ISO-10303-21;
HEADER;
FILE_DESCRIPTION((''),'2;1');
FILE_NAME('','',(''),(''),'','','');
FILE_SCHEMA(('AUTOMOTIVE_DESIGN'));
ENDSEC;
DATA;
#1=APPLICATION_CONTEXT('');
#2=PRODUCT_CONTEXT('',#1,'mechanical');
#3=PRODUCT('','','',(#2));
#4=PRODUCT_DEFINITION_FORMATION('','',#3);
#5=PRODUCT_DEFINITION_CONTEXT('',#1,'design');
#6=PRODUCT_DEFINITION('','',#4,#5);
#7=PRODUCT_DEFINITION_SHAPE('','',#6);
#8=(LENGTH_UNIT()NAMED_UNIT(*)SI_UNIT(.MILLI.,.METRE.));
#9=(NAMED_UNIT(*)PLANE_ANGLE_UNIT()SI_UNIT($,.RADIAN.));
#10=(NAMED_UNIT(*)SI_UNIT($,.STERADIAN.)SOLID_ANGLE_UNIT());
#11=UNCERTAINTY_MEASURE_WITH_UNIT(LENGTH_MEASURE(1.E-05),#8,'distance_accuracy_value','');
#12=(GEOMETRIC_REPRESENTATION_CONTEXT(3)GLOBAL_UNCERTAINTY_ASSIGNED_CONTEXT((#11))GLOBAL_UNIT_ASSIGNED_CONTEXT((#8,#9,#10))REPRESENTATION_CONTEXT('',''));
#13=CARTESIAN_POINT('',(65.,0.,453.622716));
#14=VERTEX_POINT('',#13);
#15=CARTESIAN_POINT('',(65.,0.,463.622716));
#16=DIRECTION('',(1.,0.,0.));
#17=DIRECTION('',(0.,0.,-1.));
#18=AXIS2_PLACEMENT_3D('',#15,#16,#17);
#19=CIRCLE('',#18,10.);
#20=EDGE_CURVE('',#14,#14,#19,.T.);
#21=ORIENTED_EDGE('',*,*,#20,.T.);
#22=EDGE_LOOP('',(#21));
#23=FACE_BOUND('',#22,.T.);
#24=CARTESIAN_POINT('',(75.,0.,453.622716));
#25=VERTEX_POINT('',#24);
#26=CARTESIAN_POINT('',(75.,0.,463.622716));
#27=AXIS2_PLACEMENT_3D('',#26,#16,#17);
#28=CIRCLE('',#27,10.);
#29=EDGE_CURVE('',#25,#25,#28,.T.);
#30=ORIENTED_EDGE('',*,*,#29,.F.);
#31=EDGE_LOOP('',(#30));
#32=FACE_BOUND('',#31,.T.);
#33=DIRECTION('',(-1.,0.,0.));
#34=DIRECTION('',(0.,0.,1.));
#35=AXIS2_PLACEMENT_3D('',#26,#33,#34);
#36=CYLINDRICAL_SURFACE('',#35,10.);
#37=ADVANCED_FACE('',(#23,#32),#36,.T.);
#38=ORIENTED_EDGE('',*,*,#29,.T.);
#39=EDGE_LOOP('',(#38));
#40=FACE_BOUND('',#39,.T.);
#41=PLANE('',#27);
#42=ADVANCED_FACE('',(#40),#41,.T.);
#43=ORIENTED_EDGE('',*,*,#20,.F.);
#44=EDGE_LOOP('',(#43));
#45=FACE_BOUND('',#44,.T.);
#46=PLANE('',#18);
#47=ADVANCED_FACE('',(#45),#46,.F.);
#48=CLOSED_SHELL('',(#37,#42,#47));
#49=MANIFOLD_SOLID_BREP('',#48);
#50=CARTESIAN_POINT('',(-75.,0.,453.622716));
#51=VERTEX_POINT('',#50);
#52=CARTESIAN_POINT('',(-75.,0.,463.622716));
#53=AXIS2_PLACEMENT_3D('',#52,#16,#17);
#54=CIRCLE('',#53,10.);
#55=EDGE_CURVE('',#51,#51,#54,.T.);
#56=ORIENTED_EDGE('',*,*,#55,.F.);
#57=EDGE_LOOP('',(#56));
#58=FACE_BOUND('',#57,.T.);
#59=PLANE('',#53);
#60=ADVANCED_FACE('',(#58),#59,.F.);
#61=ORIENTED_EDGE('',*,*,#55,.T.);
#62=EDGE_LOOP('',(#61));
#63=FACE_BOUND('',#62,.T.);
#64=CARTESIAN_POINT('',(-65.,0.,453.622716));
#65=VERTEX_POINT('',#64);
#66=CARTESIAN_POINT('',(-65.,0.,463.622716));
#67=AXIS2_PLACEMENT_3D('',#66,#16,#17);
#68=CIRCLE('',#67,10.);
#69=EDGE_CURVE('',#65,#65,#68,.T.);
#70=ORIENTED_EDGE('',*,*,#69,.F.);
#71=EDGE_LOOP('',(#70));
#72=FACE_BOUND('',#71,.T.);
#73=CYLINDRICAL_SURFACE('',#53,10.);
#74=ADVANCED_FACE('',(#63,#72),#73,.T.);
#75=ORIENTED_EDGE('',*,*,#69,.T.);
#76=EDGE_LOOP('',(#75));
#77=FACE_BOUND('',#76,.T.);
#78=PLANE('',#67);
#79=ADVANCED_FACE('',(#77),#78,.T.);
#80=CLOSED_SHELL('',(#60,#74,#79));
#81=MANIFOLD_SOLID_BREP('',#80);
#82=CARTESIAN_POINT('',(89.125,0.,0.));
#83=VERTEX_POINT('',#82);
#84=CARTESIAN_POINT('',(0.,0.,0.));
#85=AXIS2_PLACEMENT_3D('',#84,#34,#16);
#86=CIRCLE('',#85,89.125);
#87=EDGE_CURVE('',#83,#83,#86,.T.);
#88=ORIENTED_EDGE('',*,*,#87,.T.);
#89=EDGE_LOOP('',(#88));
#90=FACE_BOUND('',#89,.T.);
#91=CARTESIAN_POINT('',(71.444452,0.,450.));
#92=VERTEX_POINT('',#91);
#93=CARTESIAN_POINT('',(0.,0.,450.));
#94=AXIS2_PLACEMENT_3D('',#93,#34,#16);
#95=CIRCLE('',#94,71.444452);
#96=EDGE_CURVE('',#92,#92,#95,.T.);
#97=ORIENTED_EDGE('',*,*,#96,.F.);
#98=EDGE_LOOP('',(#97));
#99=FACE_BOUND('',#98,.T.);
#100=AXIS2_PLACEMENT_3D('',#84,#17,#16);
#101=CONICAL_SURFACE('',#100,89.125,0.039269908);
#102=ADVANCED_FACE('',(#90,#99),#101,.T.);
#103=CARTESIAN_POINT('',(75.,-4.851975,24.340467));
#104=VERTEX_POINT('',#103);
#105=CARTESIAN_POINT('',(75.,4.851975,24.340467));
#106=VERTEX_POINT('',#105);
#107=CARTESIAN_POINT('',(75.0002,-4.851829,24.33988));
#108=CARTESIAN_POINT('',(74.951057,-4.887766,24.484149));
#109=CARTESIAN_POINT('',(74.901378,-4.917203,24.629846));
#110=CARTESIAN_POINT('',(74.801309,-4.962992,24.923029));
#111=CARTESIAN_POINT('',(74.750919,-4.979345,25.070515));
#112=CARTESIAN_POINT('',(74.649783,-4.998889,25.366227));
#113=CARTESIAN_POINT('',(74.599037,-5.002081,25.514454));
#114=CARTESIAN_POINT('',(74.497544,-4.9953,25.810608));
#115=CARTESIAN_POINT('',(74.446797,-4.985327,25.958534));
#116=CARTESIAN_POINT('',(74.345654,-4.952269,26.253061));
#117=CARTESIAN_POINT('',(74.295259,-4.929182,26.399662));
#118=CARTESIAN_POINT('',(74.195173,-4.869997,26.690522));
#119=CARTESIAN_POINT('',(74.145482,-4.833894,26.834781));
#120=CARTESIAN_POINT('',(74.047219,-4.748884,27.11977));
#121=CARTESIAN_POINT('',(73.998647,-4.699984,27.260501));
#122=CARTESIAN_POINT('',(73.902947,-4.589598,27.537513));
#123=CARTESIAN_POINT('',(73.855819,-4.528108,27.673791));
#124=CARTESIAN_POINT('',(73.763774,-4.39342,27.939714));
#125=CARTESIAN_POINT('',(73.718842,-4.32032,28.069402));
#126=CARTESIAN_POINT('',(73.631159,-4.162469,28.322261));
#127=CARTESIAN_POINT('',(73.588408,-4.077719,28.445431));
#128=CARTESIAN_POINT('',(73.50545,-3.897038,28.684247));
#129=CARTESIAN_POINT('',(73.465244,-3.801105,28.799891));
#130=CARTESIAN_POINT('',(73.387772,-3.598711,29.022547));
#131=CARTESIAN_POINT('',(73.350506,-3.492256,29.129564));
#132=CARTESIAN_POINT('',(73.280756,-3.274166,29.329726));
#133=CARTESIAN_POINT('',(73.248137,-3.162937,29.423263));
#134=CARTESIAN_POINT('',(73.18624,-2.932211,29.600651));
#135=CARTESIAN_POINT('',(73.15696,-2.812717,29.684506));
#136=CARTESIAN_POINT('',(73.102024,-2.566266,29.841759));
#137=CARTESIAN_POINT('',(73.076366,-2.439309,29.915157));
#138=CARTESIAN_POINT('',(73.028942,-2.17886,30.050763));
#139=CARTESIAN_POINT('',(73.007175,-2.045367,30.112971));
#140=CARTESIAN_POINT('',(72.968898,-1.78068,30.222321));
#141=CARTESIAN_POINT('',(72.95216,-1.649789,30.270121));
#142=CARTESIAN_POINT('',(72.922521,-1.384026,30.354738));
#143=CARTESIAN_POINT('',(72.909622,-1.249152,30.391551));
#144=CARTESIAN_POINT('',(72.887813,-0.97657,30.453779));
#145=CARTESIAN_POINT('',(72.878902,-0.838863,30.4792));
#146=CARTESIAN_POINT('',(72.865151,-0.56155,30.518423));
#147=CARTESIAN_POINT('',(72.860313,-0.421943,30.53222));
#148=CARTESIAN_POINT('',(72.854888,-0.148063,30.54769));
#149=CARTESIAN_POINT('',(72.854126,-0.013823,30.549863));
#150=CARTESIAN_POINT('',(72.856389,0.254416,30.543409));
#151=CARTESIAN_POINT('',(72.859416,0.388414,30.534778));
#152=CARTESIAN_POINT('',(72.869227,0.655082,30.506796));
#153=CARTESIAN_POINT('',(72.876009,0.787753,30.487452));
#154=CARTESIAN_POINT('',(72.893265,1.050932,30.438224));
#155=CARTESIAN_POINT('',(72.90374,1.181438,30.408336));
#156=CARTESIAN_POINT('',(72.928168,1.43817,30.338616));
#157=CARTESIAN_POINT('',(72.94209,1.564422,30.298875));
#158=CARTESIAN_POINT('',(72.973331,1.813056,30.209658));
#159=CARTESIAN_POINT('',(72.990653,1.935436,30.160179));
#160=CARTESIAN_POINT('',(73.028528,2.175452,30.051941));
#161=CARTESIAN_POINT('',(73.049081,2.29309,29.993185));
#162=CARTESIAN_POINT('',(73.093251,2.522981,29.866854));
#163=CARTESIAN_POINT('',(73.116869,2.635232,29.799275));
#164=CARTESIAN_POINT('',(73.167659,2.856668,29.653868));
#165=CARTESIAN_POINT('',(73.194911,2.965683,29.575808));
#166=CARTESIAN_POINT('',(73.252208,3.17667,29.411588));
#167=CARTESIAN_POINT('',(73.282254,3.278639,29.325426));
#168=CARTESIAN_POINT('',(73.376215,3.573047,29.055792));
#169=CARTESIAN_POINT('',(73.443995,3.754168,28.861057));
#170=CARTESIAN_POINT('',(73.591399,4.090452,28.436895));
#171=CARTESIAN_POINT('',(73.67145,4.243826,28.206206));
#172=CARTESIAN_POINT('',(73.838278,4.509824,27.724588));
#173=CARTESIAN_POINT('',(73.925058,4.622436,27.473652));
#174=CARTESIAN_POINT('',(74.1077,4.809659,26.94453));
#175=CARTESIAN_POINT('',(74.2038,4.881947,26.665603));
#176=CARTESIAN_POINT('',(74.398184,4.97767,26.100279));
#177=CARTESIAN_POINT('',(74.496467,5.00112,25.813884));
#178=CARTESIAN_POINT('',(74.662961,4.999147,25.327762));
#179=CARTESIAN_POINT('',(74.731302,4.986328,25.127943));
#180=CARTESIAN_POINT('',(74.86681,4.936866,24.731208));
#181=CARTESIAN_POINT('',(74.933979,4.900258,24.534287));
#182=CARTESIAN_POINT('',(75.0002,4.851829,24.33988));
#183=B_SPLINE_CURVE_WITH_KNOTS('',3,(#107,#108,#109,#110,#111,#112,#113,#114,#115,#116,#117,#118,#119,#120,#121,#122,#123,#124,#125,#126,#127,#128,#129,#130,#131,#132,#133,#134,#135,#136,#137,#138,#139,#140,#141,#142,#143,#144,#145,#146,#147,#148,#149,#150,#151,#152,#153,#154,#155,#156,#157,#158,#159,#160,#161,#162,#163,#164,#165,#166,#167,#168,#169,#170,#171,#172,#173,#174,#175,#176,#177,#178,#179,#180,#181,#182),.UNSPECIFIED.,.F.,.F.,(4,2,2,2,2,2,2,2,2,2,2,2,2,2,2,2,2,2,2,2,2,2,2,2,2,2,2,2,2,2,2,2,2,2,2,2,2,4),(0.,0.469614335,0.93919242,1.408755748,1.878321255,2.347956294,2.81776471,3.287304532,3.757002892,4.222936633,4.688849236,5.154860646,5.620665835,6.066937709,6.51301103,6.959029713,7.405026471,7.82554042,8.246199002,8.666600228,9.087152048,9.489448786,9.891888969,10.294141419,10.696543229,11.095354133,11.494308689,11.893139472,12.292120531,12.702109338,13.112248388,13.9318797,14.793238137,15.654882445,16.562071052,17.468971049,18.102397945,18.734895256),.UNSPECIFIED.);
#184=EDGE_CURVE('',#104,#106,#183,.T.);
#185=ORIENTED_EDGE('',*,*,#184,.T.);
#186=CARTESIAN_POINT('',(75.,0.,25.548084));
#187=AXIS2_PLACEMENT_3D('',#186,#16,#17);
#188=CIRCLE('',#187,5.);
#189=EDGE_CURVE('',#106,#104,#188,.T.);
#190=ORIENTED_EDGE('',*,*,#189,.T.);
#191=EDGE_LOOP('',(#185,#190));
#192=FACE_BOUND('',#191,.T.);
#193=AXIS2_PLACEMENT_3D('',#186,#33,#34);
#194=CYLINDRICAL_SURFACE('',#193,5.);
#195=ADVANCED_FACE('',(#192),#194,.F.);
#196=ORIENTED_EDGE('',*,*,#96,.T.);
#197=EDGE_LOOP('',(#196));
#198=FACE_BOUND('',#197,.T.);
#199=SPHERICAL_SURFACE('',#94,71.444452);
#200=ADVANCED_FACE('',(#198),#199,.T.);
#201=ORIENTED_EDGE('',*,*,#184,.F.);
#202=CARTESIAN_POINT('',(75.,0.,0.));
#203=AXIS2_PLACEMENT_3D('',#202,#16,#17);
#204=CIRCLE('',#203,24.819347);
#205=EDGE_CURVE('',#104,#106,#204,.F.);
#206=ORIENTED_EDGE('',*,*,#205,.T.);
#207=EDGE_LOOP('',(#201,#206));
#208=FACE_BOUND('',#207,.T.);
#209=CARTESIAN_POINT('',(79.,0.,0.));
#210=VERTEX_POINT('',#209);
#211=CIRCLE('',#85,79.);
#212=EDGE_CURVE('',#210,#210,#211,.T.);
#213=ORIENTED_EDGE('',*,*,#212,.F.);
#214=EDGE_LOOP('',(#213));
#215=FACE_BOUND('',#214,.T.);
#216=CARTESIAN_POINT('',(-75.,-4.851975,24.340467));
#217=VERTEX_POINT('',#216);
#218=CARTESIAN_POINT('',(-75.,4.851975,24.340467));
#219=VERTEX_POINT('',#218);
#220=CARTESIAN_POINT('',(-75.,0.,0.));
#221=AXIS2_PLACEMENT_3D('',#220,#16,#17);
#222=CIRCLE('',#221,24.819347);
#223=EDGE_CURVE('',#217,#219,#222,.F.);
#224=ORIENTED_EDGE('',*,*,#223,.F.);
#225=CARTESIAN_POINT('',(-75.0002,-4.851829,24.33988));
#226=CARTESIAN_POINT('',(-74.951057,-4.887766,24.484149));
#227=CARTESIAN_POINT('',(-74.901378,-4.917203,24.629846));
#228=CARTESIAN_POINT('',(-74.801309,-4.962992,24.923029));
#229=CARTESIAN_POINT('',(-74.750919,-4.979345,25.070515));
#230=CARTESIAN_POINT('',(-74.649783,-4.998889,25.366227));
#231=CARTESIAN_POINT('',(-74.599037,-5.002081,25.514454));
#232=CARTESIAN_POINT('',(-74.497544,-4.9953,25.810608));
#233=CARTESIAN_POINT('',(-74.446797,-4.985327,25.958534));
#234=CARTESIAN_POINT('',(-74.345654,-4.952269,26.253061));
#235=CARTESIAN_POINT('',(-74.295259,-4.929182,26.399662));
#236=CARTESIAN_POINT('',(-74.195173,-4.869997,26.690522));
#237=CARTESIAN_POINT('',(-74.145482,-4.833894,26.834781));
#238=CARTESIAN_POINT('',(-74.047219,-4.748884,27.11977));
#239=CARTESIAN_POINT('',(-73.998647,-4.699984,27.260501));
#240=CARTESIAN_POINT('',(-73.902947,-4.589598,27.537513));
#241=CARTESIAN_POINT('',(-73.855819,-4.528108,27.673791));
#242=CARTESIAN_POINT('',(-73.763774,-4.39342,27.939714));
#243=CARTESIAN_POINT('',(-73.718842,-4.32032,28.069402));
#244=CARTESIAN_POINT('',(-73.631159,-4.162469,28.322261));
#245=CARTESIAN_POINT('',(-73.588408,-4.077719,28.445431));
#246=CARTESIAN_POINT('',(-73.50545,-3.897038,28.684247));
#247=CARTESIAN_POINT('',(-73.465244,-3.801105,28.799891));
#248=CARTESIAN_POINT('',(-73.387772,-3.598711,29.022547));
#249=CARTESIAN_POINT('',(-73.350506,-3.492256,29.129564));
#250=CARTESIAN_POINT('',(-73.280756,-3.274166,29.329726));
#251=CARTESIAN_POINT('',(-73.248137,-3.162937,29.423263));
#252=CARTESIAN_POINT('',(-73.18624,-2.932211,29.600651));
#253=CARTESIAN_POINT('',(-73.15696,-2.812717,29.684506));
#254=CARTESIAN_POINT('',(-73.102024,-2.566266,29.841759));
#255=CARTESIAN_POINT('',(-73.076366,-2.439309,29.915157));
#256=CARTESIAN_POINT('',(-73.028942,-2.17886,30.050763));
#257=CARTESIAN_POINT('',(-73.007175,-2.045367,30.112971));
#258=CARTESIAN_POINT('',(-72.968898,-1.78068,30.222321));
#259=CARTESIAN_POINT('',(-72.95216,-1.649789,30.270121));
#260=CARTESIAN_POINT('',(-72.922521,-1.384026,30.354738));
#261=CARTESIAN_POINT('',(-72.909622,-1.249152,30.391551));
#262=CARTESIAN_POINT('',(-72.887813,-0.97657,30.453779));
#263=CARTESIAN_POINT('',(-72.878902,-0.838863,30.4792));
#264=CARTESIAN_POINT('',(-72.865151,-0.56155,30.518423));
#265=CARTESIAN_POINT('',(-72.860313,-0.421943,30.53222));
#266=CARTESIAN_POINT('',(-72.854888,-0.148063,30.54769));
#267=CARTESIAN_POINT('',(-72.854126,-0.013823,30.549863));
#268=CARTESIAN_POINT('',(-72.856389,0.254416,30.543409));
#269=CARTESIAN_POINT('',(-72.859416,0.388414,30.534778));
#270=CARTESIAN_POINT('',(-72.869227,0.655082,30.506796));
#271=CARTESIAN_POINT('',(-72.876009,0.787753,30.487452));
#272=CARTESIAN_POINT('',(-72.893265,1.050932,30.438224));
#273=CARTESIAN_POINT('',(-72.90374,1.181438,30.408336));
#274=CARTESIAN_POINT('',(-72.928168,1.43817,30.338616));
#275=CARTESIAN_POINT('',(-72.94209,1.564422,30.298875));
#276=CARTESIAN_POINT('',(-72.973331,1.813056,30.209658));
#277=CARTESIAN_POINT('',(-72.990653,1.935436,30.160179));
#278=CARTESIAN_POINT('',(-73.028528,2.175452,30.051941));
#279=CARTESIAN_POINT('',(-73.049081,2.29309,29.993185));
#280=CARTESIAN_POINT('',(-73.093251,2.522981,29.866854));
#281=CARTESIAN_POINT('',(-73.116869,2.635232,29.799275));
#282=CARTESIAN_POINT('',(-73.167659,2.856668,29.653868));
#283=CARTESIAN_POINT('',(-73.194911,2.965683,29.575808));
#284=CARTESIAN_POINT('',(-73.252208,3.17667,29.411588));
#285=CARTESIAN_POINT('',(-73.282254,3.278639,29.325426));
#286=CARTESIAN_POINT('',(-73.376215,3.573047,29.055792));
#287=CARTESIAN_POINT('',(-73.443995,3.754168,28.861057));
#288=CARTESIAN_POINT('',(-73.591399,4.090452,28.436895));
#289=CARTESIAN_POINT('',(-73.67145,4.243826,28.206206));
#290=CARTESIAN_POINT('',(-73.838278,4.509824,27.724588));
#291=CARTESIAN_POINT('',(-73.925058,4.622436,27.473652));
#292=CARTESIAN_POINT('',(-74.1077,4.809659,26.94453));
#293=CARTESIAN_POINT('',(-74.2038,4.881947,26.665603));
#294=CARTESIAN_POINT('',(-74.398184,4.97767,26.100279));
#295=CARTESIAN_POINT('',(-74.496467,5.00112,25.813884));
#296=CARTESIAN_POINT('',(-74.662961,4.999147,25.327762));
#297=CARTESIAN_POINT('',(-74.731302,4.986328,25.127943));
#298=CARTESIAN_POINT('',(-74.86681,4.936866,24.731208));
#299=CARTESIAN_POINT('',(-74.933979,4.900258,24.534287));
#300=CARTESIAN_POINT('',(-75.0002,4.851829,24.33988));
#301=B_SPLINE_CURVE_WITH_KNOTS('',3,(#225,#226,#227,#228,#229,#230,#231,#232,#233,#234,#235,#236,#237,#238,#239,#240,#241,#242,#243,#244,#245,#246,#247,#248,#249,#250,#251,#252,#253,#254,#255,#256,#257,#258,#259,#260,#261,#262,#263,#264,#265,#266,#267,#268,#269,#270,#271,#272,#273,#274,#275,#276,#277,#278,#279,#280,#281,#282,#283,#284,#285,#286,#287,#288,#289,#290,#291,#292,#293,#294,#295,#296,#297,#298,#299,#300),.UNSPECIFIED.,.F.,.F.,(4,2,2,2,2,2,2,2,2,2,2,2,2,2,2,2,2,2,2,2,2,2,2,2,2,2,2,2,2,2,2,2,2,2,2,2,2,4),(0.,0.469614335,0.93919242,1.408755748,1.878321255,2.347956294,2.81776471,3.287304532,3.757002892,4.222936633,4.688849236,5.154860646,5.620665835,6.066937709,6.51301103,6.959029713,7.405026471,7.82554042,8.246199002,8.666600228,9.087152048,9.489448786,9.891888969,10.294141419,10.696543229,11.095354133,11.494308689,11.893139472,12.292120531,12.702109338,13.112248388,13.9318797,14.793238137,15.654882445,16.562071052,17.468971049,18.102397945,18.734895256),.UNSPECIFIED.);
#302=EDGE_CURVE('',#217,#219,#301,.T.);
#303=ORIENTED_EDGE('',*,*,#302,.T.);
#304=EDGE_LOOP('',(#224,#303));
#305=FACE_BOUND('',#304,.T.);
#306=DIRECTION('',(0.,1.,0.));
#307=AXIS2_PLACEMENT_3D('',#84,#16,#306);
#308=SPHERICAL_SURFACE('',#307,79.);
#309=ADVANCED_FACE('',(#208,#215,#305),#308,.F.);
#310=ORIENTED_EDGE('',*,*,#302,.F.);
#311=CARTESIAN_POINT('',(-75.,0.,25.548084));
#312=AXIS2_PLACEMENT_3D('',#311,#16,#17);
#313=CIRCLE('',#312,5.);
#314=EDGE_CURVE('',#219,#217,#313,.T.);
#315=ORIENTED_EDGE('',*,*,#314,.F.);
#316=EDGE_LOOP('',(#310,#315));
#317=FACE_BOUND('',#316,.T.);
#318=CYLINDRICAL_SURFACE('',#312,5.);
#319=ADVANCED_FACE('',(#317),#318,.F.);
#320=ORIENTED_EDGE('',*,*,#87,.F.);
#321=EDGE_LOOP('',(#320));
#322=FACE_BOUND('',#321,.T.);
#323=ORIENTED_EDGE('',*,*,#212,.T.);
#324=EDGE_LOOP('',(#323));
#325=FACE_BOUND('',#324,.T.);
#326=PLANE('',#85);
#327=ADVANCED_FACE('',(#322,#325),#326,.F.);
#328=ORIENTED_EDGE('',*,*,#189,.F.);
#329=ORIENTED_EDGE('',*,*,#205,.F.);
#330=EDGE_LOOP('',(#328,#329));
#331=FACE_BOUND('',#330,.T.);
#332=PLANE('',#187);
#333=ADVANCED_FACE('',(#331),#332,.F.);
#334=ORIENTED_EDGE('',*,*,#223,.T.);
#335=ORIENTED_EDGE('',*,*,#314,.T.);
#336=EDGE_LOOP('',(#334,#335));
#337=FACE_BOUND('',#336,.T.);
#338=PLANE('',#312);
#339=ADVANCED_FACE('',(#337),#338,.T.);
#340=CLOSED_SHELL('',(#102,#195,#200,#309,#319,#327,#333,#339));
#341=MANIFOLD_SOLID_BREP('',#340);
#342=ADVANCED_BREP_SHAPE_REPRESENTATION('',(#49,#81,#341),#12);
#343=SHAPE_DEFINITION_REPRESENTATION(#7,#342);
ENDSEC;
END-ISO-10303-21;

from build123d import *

# Parameters (mm, degrees)
SKETCH1_R           = 89.125
BOSS_EXTRUDE1_DEPTH = 450
BOSS_EXTRUDE1_TAPER = 2.25
SKETCH5_R           = 10
BOSS_EXTRUDE3_DEPTH = 10
SKETCH4_R           = 10
BOSS_EXTRUDE4_DEPTH = 10
SKETCH7_R           = 5
CUT_EXTRUDE1_DEPTH  = 10
CUT_EXTRUDE2_START  = 10
SKETCH6_R           = 5
CUT_EXTRUDE2_DEPTH  = 10


with BuildPart() as part:
    # Sketch1 → Boss-Extrude1 (new body)
    with BuildSketch(Plane.XY):
        Circle(SKETCH1_R)
    extrude(amount=BOSS_EXTRUDE1_DEPTH, taper=BOSS_EXTRUDE1_TAPER)

    # Sketch2 → Revolve1 (revolve)
    with BuildSketch(Plane.XY.offset(450)):
        with BuildLine():
            Line((0, 71.444451847), (0, -71.444451847))
            ThreePointArc((0, -71.444451847), (-71.444451847, 0), (0, 71.444451847))
        make_face()
    revolve(axis=Axis((0, 71.444451847, 450), (0, -1, 0)))

    # Sketch3 → Cut-Revolve1 (revolve, cut)
    with BuildSketch(Plane(origin=(0, 0, 0), x_dir=(-1, 0, 0), z_dir=(0, 0, -1))):
        with BuildLine():
            Line((-79, 0), (79, 0))
            ThreePointArc((79, 0), (0, -79), (-79, 0))
        make_face()
    revolve(axis=Axis((79, 0, 0), (-1, 0, 0)), mode=Mode.SUBTRACT)

    # Sketch7 → Cut-Extrude1 (cut)
    with BuildSketch(Plane(origin=(-65, 0, 0), x_dir=(0, 0, -1), z_dir=(1, 0, 0))):
        with Locations((-25.548083617, 0)):
            Circle(SKETCH7_R)
    extrude(amount=-CUT_EXTRUDE1_DEPTH, mode=Mode.SUBTRACT)

    # Sketch6 → Cut-Extrude2 (cut)
    with BuildSketch(Plane(origin=(65, 0, 0), x_dir=(0, 0, -1), z_dir=(1, 0, 0)).offset(CUT_EXTRUDE2_START)):
        with Locations((-25.548083617, 0)):
            Circle(SKETCH6_R)
    extrude(amount=-CUT_EXTRUDE2_DEPTH, mode=Mode.SUBTRACT)


with BuildPart() as body_2:
    # Sketch5 → Boss-Extrude3 (new body)
    with BuildSketch(Plane(origin=(-65, 0, 0), x_dir=(0, 0, -1), z_dir=(1, 0, 0))):
        with Locations((-463.622716312, 0)):
            Circle(SKETCH5_R)
    extrude(amount=-BOSS_EXTRUDE3_DEPTH)


with BuildPart() as body_3:
    # Sketch4 → Boss-Extrude4 (new body)
    with BuildSketch(Plane(origin=(65, 0, 0), x_dir=(0, 0, -1), z_dir=(1, 0, 0))):
        with Locations((-463.622716312, 0)):
            Circle(SKETCH4_R)
    extrude(amount=BOSS_EXTRUDE4_DEPTH)


solid = Compound([part.part, body_2.part, body_3.part])
